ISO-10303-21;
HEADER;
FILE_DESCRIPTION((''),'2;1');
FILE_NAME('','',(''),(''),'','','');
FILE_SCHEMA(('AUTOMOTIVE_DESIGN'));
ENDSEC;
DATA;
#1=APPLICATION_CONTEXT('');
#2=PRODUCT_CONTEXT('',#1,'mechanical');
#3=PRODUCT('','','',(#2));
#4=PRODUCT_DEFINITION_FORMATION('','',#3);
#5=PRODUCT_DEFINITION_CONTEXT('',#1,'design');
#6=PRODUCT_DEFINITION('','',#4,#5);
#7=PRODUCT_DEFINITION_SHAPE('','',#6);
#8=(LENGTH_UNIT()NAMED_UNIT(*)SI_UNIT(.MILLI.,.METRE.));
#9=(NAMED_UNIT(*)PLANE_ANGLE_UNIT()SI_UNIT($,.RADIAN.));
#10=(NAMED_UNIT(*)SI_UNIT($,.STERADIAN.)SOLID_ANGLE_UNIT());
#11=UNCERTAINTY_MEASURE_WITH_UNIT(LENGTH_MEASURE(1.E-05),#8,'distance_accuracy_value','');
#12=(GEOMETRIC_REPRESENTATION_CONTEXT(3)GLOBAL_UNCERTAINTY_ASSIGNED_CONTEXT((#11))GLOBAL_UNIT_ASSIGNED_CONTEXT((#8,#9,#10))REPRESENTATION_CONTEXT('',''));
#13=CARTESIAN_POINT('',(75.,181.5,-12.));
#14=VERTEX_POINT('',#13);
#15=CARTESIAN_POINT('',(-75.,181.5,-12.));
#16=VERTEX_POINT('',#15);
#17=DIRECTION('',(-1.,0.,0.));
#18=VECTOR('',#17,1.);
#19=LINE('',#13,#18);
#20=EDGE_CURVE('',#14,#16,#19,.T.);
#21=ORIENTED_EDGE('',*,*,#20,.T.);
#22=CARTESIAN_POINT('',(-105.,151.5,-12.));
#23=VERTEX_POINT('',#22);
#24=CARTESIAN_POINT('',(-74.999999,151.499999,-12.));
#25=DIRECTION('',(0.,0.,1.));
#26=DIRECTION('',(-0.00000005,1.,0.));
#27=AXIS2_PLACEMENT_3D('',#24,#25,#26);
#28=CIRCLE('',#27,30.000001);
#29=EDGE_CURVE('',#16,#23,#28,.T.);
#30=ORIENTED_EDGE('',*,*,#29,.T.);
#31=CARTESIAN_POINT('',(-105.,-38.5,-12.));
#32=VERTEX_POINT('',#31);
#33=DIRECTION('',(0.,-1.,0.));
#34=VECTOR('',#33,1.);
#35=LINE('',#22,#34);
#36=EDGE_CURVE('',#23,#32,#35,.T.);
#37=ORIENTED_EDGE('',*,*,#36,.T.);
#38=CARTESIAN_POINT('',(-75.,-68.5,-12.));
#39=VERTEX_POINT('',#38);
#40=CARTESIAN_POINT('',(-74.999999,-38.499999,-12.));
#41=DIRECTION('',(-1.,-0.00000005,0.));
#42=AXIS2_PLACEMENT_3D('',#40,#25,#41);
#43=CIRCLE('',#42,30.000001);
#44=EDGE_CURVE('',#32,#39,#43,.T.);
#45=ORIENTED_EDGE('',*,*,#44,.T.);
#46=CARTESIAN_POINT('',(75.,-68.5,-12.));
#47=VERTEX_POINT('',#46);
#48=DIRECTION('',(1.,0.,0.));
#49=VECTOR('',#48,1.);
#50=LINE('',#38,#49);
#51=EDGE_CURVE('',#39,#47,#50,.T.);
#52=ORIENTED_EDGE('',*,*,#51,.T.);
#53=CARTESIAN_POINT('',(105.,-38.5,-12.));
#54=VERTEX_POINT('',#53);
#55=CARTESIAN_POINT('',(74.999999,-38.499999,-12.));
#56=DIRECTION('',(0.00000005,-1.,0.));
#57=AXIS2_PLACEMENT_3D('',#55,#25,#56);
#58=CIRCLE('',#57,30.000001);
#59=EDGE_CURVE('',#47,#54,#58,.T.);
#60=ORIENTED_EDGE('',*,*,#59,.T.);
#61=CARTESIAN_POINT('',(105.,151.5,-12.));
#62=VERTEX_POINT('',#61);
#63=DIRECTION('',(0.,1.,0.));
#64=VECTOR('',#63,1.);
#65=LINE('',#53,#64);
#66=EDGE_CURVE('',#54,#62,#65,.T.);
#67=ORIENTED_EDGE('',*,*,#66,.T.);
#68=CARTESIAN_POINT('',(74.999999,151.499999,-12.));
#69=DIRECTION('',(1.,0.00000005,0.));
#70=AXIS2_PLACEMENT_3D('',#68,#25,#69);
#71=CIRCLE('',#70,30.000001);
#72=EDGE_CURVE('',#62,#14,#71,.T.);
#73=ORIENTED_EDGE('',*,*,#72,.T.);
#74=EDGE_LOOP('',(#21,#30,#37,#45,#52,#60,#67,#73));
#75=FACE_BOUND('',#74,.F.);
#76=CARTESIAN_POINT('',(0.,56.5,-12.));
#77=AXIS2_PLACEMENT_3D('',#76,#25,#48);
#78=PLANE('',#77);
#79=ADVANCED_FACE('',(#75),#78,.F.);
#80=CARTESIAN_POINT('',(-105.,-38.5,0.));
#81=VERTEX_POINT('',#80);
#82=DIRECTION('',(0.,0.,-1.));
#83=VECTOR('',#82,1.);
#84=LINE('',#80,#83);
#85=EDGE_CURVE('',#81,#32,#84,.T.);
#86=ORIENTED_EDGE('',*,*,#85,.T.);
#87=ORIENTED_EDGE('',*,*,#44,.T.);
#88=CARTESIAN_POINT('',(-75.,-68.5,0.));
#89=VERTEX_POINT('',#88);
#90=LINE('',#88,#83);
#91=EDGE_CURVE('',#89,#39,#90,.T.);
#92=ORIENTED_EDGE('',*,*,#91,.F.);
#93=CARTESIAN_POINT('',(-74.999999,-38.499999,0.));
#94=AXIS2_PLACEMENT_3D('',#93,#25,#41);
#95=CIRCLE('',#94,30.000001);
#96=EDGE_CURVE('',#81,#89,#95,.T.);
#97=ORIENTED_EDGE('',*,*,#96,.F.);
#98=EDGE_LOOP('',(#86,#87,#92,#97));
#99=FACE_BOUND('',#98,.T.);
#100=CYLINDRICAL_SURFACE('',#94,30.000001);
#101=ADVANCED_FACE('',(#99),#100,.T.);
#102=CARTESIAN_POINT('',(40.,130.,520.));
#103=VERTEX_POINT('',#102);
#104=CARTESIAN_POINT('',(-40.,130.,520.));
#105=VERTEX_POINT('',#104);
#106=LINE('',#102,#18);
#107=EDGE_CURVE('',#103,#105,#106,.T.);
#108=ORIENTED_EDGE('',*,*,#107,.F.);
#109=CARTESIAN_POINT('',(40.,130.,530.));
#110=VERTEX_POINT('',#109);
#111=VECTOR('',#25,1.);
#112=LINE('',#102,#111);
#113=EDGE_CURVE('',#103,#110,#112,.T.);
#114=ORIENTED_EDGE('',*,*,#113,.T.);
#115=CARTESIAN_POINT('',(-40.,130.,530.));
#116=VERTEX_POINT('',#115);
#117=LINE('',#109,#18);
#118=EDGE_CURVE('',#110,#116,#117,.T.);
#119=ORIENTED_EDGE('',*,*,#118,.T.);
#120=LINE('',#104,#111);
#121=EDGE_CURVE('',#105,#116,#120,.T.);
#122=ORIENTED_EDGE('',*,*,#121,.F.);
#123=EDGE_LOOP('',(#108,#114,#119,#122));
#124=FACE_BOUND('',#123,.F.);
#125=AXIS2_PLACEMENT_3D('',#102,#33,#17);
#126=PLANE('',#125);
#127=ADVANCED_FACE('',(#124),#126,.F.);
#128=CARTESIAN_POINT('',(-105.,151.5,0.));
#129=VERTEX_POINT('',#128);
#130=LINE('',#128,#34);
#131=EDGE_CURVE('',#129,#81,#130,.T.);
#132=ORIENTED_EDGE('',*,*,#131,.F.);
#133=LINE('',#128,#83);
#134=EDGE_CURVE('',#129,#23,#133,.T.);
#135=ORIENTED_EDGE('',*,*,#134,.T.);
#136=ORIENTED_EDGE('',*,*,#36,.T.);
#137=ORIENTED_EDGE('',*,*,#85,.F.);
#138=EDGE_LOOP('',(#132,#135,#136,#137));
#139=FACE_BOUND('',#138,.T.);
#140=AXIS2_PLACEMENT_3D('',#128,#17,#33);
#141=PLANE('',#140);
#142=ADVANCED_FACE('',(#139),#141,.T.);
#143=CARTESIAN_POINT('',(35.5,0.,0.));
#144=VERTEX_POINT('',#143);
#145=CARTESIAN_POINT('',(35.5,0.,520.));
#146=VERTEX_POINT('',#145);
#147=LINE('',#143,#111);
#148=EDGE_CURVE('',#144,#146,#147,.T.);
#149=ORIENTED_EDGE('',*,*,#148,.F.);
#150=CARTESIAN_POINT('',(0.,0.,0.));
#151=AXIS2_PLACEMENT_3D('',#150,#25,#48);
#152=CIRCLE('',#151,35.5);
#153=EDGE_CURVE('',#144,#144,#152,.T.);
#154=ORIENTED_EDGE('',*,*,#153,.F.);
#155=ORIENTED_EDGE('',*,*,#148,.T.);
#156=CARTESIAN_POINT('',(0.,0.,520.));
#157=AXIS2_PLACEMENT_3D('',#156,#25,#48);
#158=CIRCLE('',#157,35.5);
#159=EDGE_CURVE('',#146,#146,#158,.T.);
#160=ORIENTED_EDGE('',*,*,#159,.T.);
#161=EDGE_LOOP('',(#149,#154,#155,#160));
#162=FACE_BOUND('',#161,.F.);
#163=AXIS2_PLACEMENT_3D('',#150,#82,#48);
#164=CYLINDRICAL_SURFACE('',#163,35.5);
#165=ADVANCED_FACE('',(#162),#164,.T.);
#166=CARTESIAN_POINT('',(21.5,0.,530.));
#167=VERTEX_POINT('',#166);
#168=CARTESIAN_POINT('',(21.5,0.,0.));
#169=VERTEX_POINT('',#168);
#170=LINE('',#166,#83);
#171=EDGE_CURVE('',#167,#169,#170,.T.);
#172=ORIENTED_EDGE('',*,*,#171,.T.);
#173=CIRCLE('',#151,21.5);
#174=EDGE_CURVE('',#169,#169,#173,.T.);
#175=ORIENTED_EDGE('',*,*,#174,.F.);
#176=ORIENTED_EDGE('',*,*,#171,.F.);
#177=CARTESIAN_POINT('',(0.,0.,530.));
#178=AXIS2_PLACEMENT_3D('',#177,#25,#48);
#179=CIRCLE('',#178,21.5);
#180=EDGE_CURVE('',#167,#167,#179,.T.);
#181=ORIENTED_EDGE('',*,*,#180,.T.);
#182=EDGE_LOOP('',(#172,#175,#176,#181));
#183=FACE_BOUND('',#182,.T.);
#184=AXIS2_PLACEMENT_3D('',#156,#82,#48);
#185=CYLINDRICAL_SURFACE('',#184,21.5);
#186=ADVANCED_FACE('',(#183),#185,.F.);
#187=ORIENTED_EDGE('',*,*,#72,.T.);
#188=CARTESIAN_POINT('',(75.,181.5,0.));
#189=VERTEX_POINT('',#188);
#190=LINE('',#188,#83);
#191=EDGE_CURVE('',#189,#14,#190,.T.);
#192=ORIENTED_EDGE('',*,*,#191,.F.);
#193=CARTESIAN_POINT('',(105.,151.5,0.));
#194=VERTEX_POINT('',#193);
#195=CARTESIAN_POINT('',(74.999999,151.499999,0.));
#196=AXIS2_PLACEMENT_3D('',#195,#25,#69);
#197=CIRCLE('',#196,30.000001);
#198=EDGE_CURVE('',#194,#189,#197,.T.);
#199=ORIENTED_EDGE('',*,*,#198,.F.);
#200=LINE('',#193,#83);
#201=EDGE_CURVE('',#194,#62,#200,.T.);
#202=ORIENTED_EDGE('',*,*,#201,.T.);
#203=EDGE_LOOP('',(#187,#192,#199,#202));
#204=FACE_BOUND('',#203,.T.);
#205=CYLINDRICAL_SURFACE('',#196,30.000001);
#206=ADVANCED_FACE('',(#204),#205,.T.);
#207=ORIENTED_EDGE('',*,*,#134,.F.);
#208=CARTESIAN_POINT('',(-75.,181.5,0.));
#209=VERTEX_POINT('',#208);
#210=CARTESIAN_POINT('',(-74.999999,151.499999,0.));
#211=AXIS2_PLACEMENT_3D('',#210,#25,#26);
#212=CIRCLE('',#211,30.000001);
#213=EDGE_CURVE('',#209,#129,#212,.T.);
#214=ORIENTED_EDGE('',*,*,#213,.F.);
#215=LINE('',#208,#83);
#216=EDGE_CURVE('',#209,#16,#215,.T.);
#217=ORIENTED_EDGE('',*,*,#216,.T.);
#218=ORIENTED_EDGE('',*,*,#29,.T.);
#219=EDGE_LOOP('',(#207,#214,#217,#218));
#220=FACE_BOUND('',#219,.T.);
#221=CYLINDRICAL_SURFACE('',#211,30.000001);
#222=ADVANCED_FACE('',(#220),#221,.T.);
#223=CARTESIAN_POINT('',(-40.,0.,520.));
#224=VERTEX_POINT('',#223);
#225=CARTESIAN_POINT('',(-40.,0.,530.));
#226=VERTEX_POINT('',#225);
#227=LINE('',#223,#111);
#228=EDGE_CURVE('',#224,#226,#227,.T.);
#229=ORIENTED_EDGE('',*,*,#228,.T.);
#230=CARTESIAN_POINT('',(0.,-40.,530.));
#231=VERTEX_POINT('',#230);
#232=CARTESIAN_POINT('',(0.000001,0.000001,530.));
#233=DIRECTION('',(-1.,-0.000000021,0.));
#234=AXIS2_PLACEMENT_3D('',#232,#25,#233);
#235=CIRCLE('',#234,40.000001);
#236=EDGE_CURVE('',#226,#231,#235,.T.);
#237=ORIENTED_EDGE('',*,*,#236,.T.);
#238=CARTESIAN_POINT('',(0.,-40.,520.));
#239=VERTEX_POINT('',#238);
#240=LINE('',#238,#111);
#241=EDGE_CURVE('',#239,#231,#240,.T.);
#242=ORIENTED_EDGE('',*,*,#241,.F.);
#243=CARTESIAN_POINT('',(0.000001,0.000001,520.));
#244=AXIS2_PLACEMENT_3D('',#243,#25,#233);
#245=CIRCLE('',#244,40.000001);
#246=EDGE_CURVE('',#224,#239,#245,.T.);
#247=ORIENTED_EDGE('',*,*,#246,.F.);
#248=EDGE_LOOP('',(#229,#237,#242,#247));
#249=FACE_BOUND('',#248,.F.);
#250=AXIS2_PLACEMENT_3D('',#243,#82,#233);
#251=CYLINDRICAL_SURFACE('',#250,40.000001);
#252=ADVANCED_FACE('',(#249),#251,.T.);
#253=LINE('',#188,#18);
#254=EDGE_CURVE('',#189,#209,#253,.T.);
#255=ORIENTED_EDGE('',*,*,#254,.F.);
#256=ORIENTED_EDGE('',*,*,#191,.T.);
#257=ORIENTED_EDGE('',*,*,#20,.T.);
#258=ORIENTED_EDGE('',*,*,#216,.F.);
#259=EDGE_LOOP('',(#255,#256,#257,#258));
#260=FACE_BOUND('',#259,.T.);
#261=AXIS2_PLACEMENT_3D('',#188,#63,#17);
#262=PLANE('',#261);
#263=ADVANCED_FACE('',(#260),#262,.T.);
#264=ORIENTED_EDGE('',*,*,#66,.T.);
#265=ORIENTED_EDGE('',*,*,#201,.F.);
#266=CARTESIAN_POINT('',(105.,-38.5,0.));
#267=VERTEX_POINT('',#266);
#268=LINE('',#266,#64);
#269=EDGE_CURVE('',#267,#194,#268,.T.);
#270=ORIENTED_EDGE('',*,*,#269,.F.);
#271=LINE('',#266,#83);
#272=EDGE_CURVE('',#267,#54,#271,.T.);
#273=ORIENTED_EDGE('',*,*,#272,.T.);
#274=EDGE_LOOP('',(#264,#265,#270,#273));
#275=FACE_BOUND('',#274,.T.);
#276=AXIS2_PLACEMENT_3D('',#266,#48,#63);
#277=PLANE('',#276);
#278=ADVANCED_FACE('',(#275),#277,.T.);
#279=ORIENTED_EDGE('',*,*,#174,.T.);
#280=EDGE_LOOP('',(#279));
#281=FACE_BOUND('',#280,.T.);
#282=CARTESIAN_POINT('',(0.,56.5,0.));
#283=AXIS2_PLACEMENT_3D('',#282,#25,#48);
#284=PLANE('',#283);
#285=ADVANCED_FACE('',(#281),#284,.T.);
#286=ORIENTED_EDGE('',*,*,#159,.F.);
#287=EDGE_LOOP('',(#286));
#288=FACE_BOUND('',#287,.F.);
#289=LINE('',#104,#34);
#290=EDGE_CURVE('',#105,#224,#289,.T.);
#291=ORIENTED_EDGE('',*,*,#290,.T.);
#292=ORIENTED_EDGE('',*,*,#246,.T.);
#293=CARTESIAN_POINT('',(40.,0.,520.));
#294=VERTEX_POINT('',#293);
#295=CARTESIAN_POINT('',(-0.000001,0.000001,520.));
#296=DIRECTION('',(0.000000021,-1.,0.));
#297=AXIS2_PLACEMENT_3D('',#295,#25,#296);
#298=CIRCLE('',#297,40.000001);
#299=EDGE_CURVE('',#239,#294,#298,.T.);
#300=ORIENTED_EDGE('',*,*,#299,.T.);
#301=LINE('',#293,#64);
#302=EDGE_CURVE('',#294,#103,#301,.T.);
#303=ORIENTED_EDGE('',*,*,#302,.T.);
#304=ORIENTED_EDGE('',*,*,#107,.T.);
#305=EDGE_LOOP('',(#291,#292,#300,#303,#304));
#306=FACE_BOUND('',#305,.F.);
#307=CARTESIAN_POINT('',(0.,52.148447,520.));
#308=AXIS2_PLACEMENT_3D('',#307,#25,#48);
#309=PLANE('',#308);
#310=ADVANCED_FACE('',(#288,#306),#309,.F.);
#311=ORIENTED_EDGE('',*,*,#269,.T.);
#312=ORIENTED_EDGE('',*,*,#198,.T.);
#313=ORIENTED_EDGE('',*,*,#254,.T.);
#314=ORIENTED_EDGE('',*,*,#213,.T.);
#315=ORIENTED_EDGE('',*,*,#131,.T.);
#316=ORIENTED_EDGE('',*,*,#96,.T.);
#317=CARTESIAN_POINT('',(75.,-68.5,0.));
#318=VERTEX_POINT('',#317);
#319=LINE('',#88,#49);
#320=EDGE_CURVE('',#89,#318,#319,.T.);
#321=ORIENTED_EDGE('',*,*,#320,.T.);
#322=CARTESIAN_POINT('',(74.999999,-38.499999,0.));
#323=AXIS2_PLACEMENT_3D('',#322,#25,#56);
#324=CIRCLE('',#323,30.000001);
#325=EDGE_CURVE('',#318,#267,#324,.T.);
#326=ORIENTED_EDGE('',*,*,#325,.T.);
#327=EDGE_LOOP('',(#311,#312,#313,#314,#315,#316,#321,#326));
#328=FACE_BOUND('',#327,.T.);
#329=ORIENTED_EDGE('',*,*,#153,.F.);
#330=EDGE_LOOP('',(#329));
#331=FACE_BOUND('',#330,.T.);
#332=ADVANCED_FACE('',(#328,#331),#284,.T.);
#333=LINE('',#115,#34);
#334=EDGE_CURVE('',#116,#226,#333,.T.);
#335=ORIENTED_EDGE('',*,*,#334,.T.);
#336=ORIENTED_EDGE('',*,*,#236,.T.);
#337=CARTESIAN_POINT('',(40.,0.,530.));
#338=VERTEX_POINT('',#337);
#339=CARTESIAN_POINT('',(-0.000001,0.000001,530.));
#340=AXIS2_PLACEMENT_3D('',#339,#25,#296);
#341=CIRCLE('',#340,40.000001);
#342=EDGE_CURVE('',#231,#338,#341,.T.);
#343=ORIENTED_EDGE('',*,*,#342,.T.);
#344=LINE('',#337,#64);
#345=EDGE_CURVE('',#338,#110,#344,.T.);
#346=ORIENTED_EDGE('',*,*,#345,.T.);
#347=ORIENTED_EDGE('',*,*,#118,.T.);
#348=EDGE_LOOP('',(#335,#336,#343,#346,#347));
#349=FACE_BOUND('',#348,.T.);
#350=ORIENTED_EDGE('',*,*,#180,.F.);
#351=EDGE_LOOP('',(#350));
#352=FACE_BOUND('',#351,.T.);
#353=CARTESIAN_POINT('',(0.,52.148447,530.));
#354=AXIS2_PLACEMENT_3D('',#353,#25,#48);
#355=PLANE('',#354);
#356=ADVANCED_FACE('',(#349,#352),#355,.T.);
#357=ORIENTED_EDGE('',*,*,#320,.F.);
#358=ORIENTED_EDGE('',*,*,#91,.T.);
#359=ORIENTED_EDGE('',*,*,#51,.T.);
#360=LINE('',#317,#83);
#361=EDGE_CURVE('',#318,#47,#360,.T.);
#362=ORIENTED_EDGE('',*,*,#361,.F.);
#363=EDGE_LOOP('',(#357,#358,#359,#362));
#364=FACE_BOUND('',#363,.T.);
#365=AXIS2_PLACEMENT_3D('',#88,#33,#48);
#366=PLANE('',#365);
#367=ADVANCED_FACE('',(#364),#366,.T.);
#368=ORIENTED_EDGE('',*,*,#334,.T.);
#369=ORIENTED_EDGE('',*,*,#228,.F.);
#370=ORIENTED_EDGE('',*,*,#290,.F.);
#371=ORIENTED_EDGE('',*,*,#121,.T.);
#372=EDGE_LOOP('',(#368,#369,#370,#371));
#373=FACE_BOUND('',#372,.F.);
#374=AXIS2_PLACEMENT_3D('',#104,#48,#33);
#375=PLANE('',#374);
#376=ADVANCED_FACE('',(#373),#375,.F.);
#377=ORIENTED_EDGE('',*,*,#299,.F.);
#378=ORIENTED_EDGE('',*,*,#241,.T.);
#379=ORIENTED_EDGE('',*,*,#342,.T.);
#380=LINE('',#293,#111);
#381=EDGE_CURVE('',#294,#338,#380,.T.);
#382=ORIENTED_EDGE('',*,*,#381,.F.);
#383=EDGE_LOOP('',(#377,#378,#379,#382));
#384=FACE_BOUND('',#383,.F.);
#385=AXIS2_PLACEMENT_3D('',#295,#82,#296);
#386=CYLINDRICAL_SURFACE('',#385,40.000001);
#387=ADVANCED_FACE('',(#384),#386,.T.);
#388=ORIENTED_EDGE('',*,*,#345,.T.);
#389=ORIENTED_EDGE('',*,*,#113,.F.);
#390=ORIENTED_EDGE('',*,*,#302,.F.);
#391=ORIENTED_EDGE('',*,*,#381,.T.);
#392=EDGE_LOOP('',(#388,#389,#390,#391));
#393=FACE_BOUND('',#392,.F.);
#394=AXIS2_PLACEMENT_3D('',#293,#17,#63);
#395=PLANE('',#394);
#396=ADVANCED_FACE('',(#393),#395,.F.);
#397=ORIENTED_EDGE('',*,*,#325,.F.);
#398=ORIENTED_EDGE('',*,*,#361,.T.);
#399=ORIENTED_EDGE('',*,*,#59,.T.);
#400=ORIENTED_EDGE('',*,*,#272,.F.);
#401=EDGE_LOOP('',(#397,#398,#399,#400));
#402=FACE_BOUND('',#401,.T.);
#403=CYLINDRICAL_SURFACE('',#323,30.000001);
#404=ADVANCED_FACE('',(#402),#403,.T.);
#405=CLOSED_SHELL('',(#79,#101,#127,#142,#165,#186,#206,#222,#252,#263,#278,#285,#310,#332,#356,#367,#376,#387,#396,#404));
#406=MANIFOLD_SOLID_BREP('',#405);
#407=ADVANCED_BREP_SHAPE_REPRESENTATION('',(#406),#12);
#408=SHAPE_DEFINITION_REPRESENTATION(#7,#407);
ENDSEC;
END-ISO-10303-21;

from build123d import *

# Parameters (mm, degrees)
F0_R     = 35.5
F0_R_2   = 21.5
F1_DEPTH = 12
F2_DEPTH = 520
F3_R     = 35.5
F3_R_2   = 21.5
F4_DEPTH = 10


with BuildPart() as f1:
    # F0 (on Top) → F1 (new body)
    with BuildSketch(Plane.XY):
        with BuildLine():
            Line((75, 181.5), (-75, 181.5))
            ThreePointArc((-75, 181.5), (-96.213203, 172.713203), (-105, 151.5))
            Line((-105, 151.5), (-105, -38.5))
            ThreePointArc((-105, -38.5), (-96.213203, -59.713203), (-75, -68.5))
            Line((-75, -68.5), (75, -68.5))
            ThreePointArc((75, -68.5), (96.213203, -59.713203), (105, -38.5))
            Line((105, -38.5), (105, 151.5))
            ThreePointArc((105, 151.5), (96.213203, 172.713203), (75, 181.5))
        make_face()
        Circle(F0_R, mode=Mode.SUBTRACT)
        Circle(F0_R)
        Circle(F0_R_2, mode=Mode.SUBTRACT)
        Circle(F0_R_2)
    extrude(amount=-F1_DEPTH)

    # F0 (on Top) → F2 (join)
    with BuildSketch(Plane.XY):
        Circle(F0_R)
        Circle(F0_R_2, mode=Mode.SUBTRACT)
    extrude(amount=F2_DEPTH)

    # F3 (on face) → F4 (join)
    with BuildSketch(Plane.XY.offset(520)):
        with BuildLine():
            Line((40, 130), (-40, 130))
            Line((-40, 130), (-40, 0))
            ThreePointArc((-40, 0), (-28.284271, -28.284271), (0, -40))
            ThreePointArc((0, -40), (28.284271, -28.284271), (40, 0))
            Line((40, 0), (40, 130))
        make_face()
        Circle(F3_R, mode=Mode.SUBTRACT)
        Circle(F3_R)
        Circle(F3_R_2, mode=Mode.SUBTRACT)
    extrude(amount=F4_DEPTH)


solid = f1.part
